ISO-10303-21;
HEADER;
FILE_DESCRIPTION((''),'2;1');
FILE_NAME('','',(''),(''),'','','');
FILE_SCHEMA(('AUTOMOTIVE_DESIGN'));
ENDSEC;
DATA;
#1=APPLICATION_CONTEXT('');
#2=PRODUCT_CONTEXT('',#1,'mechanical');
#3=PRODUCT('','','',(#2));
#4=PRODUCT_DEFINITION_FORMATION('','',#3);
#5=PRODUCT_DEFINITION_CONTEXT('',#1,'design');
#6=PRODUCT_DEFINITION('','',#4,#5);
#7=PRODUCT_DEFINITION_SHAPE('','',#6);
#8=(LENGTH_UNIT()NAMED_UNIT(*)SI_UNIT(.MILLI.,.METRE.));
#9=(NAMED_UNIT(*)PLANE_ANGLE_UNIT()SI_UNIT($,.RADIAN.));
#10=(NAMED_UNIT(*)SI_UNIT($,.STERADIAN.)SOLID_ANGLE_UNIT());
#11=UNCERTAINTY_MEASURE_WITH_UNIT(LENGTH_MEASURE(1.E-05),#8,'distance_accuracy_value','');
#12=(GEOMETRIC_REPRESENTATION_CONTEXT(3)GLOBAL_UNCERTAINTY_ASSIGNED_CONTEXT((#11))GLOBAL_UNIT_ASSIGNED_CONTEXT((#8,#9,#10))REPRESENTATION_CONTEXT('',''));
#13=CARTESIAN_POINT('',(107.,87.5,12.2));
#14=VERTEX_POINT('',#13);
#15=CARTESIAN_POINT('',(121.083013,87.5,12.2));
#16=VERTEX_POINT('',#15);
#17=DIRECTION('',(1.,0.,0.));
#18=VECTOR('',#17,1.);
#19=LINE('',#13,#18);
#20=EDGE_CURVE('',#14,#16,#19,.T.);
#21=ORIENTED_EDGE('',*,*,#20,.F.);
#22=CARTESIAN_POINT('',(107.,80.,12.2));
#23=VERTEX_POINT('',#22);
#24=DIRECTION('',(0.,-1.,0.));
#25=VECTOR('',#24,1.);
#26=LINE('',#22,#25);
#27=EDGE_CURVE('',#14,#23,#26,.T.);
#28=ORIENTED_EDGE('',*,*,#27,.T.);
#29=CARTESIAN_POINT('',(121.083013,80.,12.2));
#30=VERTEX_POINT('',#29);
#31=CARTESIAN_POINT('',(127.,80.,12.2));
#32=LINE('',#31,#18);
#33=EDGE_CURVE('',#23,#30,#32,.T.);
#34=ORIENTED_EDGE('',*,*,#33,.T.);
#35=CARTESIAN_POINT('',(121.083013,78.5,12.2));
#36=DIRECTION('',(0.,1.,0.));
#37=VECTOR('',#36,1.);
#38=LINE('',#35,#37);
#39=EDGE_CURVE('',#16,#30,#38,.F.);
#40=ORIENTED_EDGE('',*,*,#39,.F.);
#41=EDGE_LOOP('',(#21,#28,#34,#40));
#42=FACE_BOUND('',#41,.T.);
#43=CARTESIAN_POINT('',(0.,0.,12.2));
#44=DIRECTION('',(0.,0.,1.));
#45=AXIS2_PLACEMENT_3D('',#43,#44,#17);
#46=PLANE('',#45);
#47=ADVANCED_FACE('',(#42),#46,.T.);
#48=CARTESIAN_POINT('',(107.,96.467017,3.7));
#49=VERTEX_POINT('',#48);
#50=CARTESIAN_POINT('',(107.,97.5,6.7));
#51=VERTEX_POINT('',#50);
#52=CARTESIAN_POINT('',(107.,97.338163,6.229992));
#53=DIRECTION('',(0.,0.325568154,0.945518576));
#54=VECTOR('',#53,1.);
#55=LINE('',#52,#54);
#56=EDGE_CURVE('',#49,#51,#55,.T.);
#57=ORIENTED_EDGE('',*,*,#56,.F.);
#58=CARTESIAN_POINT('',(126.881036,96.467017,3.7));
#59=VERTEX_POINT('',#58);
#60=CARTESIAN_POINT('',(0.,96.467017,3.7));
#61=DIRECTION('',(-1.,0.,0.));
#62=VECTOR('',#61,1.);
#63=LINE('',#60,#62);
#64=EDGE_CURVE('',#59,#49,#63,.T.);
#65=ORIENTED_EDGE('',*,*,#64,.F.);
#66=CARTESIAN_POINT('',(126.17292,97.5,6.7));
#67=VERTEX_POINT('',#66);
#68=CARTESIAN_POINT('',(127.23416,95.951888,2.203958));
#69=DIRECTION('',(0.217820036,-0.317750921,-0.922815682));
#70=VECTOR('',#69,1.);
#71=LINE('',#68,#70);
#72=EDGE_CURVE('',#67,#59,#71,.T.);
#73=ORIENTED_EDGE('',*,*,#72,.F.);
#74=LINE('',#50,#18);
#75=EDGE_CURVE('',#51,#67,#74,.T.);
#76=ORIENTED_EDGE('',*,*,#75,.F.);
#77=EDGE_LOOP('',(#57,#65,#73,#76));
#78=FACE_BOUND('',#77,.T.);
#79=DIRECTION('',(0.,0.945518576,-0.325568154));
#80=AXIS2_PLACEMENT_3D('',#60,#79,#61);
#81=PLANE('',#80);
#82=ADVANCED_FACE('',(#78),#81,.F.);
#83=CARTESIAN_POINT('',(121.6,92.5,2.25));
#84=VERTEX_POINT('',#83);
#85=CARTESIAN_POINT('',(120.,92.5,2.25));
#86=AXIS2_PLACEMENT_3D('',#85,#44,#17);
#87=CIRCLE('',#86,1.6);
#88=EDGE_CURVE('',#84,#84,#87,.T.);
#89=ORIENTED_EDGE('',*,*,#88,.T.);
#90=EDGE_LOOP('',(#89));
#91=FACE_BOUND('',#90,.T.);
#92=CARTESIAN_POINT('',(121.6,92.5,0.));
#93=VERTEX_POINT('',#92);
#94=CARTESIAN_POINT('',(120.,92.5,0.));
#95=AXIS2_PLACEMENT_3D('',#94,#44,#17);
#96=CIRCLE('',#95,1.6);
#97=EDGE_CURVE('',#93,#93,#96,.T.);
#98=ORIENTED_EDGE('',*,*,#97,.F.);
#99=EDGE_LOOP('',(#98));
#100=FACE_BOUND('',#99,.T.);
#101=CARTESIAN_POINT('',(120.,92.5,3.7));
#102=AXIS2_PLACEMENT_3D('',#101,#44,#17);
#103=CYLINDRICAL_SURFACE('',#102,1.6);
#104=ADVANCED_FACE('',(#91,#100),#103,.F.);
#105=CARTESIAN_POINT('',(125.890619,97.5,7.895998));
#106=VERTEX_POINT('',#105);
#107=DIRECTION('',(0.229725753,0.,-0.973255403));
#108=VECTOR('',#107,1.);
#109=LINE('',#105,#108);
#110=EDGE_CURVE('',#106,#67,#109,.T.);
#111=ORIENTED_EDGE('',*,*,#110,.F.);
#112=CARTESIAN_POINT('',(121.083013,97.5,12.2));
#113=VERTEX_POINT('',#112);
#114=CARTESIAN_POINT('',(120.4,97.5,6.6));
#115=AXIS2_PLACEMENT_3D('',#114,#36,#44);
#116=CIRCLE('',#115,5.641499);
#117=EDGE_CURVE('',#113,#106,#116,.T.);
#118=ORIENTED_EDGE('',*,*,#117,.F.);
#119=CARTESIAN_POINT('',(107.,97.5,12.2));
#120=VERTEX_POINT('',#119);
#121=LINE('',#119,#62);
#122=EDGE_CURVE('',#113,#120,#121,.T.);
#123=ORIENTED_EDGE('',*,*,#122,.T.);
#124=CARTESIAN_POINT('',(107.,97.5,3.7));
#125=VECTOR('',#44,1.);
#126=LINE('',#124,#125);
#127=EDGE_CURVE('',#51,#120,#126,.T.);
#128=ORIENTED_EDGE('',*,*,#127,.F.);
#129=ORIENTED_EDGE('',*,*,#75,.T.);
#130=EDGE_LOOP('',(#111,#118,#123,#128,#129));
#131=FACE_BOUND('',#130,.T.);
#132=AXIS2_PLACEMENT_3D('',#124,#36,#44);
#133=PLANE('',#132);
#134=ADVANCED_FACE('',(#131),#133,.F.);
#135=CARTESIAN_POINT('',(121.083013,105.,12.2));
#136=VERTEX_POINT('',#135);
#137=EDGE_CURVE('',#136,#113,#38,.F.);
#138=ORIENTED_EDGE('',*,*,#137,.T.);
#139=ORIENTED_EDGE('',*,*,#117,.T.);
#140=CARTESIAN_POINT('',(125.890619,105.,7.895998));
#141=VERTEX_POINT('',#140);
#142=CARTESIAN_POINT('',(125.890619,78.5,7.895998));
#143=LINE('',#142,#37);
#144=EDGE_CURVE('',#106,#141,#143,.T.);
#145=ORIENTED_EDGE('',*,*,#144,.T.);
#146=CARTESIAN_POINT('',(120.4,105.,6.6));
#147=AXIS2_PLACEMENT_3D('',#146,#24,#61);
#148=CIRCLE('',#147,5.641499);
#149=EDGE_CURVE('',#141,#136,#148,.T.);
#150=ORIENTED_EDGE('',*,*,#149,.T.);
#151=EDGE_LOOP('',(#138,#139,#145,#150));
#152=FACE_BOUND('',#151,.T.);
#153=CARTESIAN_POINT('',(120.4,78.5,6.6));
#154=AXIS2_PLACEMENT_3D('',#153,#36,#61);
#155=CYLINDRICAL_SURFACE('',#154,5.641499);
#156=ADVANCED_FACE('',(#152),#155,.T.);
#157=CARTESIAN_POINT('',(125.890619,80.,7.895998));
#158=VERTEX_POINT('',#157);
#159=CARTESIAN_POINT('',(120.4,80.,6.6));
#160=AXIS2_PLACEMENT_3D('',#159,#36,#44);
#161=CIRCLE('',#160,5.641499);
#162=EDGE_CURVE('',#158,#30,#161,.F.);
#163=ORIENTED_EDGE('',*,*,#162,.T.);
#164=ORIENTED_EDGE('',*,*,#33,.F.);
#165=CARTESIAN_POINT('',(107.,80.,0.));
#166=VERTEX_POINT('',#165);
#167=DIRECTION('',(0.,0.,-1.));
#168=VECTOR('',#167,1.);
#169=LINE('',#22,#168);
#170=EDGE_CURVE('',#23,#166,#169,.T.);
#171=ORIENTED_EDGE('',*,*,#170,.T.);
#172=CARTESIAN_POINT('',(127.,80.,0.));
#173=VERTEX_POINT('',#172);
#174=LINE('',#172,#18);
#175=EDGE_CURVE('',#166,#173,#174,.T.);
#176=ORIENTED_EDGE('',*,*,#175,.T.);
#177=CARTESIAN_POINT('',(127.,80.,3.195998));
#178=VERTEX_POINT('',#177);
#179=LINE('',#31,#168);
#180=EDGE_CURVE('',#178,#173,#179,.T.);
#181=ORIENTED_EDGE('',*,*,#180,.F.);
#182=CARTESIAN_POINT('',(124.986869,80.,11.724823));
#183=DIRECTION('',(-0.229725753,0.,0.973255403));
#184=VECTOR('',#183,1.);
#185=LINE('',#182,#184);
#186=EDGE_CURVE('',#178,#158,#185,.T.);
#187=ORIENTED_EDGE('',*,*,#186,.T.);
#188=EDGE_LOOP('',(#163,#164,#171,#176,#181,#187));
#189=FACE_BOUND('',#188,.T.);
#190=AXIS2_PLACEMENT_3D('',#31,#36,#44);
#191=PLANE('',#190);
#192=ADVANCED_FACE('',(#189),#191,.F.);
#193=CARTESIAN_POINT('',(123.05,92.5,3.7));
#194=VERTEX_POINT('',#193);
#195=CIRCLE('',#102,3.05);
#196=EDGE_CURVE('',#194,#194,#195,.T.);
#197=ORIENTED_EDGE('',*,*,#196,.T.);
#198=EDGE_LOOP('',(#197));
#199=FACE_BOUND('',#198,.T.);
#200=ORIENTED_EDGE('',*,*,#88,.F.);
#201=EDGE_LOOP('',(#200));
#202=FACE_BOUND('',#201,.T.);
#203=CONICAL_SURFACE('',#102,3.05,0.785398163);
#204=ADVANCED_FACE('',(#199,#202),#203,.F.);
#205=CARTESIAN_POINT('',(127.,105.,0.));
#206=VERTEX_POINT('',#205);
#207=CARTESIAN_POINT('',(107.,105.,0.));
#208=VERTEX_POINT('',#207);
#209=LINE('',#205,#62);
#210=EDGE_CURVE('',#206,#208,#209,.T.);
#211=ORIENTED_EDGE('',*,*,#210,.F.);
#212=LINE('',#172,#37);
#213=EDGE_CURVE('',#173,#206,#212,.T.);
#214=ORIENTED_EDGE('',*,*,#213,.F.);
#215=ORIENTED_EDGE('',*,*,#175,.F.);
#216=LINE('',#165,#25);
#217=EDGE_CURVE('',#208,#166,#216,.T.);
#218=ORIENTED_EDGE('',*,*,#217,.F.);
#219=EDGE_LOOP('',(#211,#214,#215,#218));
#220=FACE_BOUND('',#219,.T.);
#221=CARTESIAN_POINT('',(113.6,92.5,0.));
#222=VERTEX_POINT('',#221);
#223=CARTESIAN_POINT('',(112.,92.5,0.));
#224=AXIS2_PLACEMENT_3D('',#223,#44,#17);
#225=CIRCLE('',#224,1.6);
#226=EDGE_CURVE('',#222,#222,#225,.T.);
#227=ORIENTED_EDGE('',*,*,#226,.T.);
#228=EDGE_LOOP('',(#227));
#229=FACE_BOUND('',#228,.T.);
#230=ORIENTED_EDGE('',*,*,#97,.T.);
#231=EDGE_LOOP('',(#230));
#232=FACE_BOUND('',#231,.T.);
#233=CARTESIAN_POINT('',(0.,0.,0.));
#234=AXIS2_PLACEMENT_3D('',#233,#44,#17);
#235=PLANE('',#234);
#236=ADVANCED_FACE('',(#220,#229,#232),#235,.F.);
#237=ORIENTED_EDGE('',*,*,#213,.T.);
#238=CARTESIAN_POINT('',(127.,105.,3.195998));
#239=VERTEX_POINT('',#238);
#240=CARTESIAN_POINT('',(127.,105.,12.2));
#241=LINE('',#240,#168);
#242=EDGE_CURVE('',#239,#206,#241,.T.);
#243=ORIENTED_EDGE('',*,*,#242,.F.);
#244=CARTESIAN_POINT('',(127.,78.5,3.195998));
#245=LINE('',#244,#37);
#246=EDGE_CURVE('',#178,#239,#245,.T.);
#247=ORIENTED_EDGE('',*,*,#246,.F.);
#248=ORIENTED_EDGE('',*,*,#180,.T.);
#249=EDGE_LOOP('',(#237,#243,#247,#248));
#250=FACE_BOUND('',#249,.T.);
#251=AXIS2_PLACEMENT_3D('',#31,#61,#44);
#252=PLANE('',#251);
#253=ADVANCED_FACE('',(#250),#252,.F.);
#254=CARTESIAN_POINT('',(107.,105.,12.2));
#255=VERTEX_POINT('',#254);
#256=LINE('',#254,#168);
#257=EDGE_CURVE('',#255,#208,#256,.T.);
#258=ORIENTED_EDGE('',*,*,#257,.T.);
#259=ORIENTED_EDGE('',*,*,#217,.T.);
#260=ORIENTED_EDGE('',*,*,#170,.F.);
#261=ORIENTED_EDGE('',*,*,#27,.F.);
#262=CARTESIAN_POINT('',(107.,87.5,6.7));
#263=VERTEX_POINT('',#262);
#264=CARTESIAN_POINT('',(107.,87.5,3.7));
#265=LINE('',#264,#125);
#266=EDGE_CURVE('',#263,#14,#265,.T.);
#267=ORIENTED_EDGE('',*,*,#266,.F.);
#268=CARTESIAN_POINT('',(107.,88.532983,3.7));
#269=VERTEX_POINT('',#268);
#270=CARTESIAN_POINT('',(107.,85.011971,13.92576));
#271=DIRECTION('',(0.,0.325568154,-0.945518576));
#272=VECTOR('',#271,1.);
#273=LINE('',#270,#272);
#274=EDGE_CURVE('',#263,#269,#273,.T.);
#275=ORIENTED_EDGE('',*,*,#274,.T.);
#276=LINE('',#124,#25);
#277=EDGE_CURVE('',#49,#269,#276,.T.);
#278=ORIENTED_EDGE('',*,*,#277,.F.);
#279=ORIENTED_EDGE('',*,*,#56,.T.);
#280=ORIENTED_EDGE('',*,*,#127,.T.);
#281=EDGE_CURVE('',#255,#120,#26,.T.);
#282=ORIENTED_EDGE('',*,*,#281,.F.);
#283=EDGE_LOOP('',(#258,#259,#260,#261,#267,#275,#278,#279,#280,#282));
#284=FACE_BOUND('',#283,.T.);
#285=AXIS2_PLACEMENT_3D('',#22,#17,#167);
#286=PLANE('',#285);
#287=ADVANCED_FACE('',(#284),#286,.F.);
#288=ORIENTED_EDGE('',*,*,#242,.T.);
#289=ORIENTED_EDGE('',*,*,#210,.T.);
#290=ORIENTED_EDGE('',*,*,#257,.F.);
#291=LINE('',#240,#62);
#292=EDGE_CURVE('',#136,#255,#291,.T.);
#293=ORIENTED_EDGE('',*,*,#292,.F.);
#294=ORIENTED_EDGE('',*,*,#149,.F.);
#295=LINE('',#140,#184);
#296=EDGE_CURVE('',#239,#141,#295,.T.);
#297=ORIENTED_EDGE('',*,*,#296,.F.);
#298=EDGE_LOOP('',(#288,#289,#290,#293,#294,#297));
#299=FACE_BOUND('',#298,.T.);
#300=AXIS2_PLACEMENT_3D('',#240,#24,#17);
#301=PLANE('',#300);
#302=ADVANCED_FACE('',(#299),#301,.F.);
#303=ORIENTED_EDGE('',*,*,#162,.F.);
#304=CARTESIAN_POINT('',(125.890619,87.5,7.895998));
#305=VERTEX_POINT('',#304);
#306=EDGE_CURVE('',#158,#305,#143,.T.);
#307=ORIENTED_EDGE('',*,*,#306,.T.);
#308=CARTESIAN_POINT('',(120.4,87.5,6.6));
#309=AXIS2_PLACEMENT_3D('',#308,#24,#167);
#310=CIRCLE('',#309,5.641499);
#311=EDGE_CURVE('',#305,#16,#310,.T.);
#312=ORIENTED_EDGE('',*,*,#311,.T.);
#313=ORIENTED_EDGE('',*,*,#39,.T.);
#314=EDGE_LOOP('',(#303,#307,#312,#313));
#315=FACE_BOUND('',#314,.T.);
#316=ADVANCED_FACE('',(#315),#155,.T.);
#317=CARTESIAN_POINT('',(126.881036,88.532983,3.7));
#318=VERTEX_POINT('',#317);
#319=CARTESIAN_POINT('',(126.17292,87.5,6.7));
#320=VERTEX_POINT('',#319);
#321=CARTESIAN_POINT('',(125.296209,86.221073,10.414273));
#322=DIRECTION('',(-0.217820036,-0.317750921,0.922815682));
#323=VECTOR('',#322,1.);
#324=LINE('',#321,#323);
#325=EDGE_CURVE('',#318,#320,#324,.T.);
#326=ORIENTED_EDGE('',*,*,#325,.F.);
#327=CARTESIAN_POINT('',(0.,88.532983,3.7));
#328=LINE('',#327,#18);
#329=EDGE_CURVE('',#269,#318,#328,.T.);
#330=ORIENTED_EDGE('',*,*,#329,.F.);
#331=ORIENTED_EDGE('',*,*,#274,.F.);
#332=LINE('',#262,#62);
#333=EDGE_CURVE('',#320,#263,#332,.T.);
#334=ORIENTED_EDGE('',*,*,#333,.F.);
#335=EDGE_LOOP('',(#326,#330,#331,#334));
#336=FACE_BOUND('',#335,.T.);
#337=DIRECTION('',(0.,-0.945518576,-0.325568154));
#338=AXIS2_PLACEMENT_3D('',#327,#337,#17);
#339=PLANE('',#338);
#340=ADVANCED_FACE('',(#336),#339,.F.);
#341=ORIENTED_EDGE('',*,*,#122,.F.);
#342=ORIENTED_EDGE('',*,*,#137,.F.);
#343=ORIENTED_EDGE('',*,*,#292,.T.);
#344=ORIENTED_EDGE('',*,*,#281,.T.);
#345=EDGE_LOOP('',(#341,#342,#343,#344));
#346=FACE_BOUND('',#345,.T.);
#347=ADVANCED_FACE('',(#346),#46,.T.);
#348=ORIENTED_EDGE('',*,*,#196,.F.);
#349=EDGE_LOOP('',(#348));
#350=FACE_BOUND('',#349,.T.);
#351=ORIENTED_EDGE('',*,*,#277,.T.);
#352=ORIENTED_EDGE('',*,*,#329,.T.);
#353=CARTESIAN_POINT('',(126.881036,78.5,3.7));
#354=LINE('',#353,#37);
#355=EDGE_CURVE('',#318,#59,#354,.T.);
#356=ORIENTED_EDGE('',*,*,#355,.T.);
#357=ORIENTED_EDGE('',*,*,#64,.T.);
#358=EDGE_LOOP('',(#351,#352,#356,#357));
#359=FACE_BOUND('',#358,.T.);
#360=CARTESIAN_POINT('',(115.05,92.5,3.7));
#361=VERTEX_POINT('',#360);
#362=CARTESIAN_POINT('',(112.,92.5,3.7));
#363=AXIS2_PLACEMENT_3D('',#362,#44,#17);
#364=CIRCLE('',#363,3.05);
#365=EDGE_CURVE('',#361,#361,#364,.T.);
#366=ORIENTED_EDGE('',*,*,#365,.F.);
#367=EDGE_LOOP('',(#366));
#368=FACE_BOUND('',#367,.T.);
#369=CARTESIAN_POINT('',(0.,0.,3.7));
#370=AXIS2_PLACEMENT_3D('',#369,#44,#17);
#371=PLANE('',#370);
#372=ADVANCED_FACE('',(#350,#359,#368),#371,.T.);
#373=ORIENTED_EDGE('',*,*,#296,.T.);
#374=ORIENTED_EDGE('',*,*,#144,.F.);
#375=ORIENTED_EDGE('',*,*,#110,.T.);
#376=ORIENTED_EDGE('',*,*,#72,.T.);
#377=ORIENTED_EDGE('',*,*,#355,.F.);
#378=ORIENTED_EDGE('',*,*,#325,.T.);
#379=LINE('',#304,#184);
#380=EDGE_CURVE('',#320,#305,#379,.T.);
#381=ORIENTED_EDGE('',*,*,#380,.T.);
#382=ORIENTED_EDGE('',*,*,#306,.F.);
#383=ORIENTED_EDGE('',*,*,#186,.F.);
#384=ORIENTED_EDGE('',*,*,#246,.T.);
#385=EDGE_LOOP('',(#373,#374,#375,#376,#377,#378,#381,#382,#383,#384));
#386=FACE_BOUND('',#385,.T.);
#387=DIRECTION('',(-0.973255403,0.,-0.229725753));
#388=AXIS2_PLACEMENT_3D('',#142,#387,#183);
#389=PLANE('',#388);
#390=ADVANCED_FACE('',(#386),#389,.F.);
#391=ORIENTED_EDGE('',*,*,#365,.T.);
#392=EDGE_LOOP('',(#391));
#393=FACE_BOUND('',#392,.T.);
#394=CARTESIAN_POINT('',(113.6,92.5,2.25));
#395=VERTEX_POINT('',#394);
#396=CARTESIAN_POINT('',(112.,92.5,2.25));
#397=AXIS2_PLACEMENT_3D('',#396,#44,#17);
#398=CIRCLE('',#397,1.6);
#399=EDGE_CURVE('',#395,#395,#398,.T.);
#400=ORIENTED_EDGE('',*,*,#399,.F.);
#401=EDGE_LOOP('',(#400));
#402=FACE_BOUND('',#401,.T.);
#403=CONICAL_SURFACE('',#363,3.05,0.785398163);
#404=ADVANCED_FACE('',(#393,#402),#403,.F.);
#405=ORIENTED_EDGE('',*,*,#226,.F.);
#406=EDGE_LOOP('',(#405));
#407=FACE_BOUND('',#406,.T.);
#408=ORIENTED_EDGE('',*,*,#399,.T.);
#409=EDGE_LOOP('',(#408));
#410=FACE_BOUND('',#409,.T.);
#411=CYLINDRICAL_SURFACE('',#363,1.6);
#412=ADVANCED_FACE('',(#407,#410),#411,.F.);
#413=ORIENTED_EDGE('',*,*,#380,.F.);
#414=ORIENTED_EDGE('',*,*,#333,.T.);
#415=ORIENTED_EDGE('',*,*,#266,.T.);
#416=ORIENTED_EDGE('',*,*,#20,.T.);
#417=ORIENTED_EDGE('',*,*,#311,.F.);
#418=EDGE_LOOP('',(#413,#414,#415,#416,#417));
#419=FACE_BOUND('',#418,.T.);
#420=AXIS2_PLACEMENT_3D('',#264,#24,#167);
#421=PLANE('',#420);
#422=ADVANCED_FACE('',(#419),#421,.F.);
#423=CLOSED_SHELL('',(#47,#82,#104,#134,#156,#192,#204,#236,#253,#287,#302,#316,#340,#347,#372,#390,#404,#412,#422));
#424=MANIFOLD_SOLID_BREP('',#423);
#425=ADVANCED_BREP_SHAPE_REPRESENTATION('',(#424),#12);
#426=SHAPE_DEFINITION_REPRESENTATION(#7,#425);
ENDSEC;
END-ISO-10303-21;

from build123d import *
from OCP.BRepFilletAPI import BRepFilletAPI_MakeChamfer

# Parameters (mm, degrees)
SKETCH_1_W                = 20
SKETCH_1_H                = 25
EXTRUDE_1_DEPTH           = 12.2
CUT_EXTRUDE_1_DEPTH       = 26.5
SKETCH_3_W                = 20
SKETCH_3_H                = 10
CUT_EXTRUDE_2_DEPTH       = 8.5
HOLE_WIZARD_1_D           = 3.2
HOLE_WIZARD_1_CSINK_D     = 6.1
HOLE_WIZARD_1_CSINK_ANGLE = 90
CHAMFER_1_SIZE            = 3
CHAMFER_1_SIZE2           = 1.03298284


with BuildPart() as part:
    # 草图1 → 凸台-拉伸1 (new body)
    with BuildSketch(Plane.XY):
        with Locations((117, 92.5)):
            Rectangle(SKETCH_1_W, SKETCH_1_H)
    extrude(amount=EXTRUDE_1_DEPTH)

    # 草图2 → 切除-拉伸1 (cut)
    with BuildSketch(Plane(origin=(0, 105, 0), x_dir=(1, 0, 0), z_dir=(0, 1, 0))):
        with BuildLine():
            Line((125.890619014, -7.895997518), (127, -3.195997518))
            Line((127, -3.195997518), (127, -12.2))
            Line((127, -12.2), (121.083012976, -12.2))
            ThreePointArc((121.083012976, -12.2), (124.162916731, -10.803208822), (125.890619014, -7.895997518))
        make_face()
    extrude(amount=-CUT_EXTRUDE_1_DEPTH, mode=Mode.SUBTRACT)

    # 草图3 → 切除-拉伸2 (cut)
    with BuildSketch(Plane.XY.offset(12.2)):
        with Locations((117, 92.5)):
            Rectangle(SKETCH_3_W, SKETCH_3_H)
    extrude(amount=-CUT_EXTRUDE_2_DEPTH, mode=Mode.SUBTRACT)

    # 打孔尺寸(%根据)内六角花形半沉头螺钉的类型1 (through all)
    with Locations(Plane.XY.offset(3.7)):
        with Locations((112, 92.5), (120, 92.5)):
            CounterSinkHole(HOLE_WIZARD_1_D / 2, HOLE_WIZARD_1_CSINK_D / 2, counter_sink_angle=HOLE_WIZARD_1_CSINK_ANGLE)

    # 倒角1: one chamfer whose edges measure the first distance from different faces: ONE call of the kernel's chamfer builder (chamfer() names one face for all edges)
    chamfer_1_edges_1 = [part.edges().sort_by_distance(p)[0] for p in [
        (116.940518003, 87.5, 3.7),
    ]]
    chamfer_1_side_1 = [part.faces().sort_by_distance(p)[0] for p in [
        (116.264670273, 87.5, 7.794514486),
    ]]
    chamfer_1_edges_2 = [part.edges().sort_by_distance(p)[0] for p in [
        (116.940518003, 97.5, 3.7),
    ]]
    chamfer_1_side_2 = [part.faces().sort_by_distance(p)[0] for p in [
        (116.264670273, 97.5, 7.794514486),
    ]]
    chamfer_1 = BRepFilletAPI_MakeChamfer(part.part.solid().wrapped)
    for e in chamfer_1_edges_1:
        chamfer_1.Add(CHAMFER_1_SIZE, CHAMFER_1_SIZE2, e.wrapped, chamfer_1_side_1[0].wrapped)  # the first distance lies on this face
    for e in chamfer_1_edges_2:
        chamfer_1.Add(CHAMFER_1_SIZE, CHAMFER_1_SIZE2, e.wrapped, chamfer_1_side_2[0].wrapped)  # the first distance lies on this face
    add(Compound.cast(chamfer_1.Shape()), mode=Mode.REPLACE)


solid = part.part
